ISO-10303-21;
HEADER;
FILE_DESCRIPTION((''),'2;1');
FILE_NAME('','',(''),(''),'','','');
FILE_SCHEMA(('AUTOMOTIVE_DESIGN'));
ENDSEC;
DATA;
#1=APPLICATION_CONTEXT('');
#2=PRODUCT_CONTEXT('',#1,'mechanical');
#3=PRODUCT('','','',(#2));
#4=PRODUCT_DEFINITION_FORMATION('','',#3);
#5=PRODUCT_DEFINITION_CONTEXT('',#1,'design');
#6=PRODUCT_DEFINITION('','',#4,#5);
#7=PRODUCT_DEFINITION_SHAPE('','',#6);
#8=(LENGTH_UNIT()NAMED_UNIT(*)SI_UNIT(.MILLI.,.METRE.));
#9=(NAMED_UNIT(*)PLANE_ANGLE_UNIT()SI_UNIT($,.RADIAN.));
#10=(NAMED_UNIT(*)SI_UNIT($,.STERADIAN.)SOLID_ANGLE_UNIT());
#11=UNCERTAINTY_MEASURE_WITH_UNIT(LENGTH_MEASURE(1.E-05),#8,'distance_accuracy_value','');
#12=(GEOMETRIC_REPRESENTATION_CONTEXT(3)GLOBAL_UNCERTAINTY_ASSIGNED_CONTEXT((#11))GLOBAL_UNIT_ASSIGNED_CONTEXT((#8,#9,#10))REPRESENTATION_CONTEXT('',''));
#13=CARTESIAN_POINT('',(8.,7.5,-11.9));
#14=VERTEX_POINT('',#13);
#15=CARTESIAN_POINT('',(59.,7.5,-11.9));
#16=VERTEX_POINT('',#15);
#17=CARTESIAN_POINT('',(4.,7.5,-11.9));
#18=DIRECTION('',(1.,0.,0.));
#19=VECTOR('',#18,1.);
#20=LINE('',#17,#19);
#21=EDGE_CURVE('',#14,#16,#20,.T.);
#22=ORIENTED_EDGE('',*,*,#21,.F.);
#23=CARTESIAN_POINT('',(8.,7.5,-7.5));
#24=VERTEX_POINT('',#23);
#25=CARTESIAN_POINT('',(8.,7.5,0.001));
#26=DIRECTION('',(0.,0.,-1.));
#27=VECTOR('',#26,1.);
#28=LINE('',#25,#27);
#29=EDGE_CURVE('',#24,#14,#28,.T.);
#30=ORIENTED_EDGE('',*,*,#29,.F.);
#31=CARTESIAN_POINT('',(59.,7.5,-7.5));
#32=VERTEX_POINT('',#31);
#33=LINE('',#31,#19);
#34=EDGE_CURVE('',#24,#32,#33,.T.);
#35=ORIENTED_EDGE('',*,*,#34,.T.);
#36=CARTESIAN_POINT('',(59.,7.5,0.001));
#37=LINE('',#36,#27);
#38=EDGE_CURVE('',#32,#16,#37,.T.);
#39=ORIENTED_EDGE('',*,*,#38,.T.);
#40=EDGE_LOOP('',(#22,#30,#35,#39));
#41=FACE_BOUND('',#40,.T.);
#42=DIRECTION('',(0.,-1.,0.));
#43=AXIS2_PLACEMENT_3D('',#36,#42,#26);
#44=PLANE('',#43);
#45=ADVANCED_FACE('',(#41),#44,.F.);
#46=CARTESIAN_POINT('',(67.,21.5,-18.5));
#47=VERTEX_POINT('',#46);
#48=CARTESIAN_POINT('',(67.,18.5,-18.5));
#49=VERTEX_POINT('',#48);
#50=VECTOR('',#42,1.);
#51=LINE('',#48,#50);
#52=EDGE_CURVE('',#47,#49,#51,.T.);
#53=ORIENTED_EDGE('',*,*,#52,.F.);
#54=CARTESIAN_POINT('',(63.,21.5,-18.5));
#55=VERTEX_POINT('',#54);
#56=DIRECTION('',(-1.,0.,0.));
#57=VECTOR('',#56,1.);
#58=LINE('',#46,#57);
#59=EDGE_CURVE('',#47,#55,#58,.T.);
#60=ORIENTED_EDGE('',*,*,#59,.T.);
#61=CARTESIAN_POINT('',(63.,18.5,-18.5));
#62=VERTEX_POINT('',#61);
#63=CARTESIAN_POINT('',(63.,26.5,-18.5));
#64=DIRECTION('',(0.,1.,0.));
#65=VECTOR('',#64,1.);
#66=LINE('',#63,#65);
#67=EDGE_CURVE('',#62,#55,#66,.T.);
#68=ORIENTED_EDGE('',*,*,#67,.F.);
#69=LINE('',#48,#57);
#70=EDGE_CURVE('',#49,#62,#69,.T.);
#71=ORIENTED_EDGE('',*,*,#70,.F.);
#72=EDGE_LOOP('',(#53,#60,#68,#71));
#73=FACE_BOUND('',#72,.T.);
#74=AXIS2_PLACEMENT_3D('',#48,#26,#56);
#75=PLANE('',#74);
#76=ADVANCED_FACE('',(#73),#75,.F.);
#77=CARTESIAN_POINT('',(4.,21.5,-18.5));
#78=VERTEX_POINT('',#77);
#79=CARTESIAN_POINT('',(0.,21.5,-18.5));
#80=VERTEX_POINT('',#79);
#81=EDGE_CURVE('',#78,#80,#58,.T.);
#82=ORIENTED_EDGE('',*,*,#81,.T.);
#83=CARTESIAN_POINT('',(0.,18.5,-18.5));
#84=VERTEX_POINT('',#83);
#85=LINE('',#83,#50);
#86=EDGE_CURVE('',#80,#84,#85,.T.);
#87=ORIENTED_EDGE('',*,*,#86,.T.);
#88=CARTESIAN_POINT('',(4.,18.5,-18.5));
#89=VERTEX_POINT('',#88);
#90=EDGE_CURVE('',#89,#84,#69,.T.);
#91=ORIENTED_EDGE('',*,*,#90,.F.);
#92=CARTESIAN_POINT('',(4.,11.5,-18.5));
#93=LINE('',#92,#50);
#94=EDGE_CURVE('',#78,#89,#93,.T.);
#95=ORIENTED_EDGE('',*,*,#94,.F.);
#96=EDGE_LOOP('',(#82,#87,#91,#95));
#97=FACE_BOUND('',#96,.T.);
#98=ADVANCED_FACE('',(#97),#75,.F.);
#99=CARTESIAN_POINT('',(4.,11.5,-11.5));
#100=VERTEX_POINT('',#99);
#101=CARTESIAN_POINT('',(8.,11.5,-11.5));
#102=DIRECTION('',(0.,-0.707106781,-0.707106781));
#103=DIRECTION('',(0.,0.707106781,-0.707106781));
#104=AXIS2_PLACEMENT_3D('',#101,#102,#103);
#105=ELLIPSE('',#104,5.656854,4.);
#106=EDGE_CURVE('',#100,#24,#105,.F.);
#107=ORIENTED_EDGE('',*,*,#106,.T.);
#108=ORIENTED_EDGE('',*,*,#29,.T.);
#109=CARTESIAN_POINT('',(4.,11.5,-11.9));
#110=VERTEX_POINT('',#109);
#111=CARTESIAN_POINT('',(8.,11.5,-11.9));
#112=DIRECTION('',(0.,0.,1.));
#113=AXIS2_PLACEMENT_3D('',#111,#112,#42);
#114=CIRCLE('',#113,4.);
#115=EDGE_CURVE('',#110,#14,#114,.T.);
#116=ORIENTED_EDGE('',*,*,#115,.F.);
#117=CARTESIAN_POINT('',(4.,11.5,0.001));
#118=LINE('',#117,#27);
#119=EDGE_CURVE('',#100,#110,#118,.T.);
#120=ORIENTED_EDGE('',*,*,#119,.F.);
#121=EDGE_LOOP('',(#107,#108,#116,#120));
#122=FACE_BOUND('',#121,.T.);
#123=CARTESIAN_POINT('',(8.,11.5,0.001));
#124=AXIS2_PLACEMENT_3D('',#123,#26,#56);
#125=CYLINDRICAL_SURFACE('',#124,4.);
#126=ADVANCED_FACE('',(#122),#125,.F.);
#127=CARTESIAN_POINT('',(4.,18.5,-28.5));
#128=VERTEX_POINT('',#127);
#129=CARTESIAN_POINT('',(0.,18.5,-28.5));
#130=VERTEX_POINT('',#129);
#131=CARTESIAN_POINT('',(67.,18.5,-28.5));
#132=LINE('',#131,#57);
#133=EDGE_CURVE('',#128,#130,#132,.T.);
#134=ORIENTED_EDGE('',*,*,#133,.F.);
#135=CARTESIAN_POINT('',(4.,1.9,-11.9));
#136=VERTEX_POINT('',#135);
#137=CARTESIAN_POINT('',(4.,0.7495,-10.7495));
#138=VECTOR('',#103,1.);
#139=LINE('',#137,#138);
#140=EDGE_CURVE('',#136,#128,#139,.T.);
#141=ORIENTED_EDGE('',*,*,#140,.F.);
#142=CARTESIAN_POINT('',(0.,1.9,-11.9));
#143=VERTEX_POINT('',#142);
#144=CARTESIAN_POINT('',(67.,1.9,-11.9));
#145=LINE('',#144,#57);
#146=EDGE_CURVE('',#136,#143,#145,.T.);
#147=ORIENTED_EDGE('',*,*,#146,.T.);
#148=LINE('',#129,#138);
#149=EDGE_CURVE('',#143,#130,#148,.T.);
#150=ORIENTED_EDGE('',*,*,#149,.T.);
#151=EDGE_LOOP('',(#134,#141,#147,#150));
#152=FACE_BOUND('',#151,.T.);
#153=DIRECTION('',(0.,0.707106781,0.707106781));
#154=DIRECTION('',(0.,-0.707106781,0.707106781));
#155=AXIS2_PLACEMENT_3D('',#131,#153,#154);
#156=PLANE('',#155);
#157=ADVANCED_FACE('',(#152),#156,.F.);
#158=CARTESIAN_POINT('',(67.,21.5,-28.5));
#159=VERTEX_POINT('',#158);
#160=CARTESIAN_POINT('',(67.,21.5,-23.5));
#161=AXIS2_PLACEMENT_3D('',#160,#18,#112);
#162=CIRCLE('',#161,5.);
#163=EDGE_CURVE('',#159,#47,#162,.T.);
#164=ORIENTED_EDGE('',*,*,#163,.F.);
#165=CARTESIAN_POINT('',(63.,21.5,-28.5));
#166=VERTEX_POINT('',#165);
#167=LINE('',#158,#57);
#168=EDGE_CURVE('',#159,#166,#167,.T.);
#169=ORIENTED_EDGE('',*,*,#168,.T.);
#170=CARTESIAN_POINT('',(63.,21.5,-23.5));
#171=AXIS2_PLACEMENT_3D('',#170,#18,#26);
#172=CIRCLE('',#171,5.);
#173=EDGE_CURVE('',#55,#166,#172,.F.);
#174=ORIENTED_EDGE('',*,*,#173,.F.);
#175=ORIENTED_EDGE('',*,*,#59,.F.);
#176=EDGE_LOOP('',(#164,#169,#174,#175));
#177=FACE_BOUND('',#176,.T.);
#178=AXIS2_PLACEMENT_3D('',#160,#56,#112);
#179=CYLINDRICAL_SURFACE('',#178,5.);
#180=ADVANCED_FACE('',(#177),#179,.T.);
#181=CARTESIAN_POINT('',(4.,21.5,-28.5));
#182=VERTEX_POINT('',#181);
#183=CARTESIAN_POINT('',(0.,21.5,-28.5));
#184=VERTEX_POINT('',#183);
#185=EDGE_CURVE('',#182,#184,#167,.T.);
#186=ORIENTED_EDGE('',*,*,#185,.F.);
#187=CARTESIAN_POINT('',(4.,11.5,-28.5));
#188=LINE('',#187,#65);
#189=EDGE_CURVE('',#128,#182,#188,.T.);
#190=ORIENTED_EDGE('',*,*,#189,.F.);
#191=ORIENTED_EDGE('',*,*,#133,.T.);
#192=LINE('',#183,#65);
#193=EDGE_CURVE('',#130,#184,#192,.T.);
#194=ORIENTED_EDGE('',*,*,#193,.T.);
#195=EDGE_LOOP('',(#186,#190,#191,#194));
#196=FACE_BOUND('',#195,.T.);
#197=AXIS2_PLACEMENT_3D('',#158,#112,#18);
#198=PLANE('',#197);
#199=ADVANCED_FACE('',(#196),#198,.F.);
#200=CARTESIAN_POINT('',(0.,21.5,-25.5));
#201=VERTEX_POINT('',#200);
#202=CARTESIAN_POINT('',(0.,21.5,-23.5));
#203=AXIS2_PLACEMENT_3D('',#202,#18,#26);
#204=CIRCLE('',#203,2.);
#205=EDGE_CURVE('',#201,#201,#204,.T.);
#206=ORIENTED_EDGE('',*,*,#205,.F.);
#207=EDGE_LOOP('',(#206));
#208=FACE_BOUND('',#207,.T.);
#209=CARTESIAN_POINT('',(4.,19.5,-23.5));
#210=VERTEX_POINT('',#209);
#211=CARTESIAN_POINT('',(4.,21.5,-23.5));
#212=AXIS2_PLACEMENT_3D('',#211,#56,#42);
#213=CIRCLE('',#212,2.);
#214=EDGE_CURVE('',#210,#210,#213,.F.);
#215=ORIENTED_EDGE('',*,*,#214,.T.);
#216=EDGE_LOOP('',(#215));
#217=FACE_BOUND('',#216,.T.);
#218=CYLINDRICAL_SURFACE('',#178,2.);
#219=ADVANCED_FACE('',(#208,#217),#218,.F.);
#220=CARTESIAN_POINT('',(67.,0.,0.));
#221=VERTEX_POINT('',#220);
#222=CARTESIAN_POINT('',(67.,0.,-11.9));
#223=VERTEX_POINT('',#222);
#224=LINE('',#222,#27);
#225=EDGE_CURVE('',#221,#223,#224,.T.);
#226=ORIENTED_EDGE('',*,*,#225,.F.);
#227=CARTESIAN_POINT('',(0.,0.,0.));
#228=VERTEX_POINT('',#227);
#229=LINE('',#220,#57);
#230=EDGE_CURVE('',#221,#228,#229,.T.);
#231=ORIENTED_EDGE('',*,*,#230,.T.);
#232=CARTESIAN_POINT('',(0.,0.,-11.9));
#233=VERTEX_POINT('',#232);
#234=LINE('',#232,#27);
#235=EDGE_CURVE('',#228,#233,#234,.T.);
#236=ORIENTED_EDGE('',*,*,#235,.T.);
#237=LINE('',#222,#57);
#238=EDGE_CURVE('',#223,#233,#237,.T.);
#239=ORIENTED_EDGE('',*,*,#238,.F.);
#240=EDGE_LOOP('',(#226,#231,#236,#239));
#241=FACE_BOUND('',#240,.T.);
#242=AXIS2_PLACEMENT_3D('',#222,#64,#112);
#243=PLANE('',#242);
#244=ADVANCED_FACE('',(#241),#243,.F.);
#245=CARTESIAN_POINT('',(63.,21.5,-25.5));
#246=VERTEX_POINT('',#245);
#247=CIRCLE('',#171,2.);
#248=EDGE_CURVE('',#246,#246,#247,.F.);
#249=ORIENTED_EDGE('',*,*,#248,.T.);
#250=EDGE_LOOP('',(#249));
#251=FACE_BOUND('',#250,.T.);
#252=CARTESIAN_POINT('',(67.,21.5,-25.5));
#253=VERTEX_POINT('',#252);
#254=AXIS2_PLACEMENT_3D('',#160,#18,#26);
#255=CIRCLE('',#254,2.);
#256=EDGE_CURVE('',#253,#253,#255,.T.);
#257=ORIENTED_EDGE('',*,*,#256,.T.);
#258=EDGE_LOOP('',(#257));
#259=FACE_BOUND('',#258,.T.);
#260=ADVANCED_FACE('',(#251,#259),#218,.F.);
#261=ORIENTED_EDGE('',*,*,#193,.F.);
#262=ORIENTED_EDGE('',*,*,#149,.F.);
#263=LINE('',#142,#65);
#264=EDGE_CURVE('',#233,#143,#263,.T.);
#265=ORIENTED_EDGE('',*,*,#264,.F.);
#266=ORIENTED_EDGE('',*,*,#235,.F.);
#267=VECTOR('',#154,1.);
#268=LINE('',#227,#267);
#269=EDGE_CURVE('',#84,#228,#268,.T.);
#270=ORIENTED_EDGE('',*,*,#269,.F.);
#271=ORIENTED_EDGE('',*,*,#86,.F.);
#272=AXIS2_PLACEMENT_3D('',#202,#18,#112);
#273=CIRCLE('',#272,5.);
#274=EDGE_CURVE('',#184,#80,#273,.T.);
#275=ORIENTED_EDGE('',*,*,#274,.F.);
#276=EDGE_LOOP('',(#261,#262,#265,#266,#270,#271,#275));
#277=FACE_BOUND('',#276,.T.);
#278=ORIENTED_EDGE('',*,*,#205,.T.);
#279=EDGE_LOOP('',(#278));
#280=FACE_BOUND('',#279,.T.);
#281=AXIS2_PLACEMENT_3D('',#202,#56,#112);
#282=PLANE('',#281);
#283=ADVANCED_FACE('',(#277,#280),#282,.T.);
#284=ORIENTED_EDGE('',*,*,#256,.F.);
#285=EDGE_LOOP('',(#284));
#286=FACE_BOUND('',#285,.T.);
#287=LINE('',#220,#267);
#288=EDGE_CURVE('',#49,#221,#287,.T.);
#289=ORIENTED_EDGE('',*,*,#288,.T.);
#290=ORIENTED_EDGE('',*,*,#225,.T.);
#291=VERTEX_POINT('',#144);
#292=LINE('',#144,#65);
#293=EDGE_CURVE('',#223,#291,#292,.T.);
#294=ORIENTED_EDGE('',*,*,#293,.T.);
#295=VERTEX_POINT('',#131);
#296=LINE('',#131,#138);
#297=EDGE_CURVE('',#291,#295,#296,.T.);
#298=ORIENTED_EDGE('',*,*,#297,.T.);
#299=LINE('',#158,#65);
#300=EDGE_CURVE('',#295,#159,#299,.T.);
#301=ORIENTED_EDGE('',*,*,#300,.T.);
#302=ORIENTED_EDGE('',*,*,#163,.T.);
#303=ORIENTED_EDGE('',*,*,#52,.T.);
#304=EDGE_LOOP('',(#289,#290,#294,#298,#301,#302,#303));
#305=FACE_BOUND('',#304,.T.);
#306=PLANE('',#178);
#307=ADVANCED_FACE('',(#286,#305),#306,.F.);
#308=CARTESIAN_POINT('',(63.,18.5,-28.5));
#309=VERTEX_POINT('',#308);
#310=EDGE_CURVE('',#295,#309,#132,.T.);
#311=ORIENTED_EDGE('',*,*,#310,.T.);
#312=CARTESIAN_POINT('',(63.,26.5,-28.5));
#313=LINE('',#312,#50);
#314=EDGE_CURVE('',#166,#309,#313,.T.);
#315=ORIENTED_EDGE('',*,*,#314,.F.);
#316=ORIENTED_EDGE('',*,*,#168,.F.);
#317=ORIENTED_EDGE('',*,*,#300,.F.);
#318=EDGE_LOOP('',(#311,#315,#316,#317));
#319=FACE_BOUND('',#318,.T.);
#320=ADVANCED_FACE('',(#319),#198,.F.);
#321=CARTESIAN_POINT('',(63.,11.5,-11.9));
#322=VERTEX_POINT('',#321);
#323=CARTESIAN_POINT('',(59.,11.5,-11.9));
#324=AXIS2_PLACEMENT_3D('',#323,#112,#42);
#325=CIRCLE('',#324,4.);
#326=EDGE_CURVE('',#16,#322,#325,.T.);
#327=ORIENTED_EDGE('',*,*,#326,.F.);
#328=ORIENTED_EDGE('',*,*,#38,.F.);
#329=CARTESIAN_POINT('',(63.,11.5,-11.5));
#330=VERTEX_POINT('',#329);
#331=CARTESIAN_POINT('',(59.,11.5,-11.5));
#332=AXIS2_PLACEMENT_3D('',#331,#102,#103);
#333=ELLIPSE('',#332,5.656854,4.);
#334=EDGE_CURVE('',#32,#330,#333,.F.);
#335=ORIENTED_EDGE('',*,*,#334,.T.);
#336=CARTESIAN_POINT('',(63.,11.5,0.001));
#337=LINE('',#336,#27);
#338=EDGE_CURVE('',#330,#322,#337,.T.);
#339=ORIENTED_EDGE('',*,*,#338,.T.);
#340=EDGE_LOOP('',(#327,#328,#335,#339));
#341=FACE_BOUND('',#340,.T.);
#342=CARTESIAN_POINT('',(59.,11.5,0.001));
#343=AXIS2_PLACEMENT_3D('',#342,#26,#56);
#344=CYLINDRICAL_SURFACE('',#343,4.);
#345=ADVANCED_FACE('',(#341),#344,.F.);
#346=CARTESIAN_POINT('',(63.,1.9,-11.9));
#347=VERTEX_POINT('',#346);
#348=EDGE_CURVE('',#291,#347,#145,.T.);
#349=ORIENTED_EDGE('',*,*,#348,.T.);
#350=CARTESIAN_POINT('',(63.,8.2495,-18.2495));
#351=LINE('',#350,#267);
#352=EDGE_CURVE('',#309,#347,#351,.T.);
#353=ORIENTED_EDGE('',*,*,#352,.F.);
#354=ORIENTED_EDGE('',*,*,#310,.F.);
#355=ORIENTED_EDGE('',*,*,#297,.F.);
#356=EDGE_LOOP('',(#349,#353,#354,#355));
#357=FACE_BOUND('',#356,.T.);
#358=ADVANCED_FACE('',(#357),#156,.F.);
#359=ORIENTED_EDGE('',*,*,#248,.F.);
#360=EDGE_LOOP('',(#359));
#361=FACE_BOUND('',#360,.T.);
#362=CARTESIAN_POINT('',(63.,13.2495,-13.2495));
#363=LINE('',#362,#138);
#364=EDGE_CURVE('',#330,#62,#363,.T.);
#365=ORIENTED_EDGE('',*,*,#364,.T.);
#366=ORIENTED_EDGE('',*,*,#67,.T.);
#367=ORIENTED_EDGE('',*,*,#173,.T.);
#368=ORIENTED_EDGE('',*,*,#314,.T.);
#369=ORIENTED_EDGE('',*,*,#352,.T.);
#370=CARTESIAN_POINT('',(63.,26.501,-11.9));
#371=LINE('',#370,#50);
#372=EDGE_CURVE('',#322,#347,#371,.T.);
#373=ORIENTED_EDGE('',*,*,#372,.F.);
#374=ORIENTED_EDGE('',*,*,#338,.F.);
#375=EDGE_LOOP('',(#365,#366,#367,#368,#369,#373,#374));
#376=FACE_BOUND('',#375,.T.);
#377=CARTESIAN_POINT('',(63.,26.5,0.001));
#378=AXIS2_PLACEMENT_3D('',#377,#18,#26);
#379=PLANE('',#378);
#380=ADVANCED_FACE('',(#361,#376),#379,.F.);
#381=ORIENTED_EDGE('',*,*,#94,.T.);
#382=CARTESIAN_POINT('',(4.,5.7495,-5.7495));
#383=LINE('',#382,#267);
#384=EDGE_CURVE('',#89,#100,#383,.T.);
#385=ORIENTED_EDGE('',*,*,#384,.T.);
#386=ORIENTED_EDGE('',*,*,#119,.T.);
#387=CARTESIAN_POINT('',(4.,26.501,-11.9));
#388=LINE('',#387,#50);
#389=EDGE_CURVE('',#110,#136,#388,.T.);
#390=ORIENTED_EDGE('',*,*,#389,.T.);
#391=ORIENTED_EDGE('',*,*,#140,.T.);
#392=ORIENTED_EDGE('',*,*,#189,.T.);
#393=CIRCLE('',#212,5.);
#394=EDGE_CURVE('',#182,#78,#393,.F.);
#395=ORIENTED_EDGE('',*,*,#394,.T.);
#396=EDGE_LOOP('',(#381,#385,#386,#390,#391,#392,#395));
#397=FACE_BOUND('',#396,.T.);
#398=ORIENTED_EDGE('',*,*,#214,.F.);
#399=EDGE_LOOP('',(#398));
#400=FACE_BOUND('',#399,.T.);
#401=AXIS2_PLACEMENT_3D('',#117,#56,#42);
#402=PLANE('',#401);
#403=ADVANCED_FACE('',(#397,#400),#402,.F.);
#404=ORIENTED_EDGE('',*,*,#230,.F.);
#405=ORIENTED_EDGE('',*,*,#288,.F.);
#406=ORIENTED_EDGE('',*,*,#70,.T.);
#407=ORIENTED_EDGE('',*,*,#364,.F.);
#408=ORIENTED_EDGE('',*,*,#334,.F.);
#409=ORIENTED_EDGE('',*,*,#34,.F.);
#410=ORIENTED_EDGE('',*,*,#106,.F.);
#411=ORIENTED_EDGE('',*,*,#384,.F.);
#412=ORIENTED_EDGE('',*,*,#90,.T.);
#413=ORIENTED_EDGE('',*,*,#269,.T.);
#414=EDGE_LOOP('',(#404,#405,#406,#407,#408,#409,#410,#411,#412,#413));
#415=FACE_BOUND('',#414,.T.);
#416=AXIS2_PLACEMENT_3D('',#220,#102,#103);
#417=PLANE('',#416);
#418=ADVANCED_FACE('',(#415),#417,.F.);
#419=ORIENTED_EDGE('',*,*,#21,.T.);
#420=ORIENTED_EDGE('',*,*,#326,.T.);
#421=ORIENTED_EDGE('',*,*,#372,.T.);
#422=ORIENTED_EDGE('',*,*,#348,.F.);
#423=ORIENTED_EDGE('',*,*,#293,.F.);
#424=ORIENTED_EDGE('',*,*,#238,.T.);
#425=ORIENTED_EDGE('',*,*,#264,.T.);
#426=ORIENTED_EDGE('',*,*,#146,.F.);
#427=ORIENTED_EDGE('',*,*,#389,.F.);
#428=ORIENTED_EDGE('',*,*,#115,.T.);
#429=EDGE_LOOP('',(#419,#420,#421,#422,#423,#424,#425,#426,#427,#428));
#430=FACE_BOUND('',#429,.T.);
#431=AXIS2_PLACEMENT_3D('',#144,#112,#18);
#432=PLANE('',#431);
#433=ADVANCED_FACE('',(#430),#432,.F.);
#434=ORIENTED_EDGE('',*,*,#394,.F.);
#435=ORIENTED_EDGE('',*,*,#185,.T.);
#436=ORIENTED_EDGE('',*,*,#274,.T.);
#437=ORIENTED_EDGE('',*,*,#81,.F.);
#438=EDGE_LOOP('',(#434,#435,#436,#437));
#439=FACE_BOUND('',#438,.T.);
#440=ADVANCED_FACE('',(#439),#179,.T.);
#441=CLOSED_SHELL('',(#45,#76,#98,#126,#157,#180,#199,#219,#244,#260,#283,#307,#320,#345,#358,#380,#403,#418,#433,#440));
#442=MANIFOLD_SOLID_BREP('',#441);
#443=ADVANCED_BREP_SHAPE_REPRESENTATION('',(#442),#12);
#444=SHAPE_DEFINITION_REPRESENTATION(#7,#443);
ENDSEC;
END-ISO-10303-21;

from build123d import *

# Parameters (mm, degrees)
SKETCH1_R           = 2
BOSS_EXTRUDE1_DEPTH = 67
CUT_EXTRUDE1_REACH  = 30.5
CUT_EXTRUDE2_REACH  = 28.5
SKETCH3_W           = 59
SKETCH3_H           = 9.6


with BuildPart() as part:
    # Sketch1 → Boss-Extrude1 (new body)
    with BuildSketch(Plane(origin=(0, 0, 0), x_dir=(0, 0, -1), z_dir=(1, 0, 0))):
        with BuildLine():
            Line((11.9, 1.9), (11.9, 0))
            Line((11.9, 0), (0, 0))
            Line((0, 0), (18.5, 18.5))
            Line((18.5, 18.5), (18.5, 21.5))
            ThreePointArc((18.5, 21.5), (23.5, 26.5), (28.5, 21.5))
            Line((28.5, 21.5), (28.5, 18.5))
            Line((28.5, 18.5), (11.9, 1.9))
        make_face()
        with Locations((23.5, 21.5)):
            Circle(SKETCH1_R, mode=Mode.SUBTRACT)
    extrude(amount=BOSS_EXTRUDE1_DEPTH)

    # Sketch2 → Cut-Extrude1 (cut, up to next)
    with BuildSketch(Plane(origin=(0, 0, -28.5), x_dir=(-1, 0, 0), z_dir=(0, 0, -1)), mode=Mode.PRIVATE) as cut_extrude1_sk1:
        with BuildLine():
            Line((-63, 26.5), (-63, 11.5))
            ThreePointArc((-63, 11.5), (-61.828427125, 8.671572875), (-59, 7.5))
            Line((-59, 7.5), (-8, 7.5))
            ThreePointArc((-8, 7.5), (-5.171572875, 8.671572875), (-4, 11.5))
            Line((-4, 11.5), (-4, 26.5))
            Line((-4, 26.5), (-63, 26.5))
        make_face()
    cut_extrude1_tool1 = extrude(cut_extrude1_sk1.sketch, amount=-CUT_EXTRUDE1_REACH, mode=Mode.PRIVATE) & part.part
    add(cut_extrude1_tool1.solids().sort_by_distance((33.5, 17.053049, -28.5))[0], mode=Mode.SUBTRACT)

    # Sketch3 → Cut-Extrude2 (cut, up to next)
    with BuildSketch(Plane.XZ, mode=Mode.PRIVATE) as cut_extrude2_sk1:
        with Locations((33.5, -16.7)):
            Rectangle(SKETCH3_W, SKETCH3_H)
    cut_extrude2_tool1 = extrude(cut_extrude2_sk1.sketch, amount=-CUT_EXTRUDE2_REACH, mode=Mode.PRIVATE) & part.part
    add(cut_extrude2_tool1.solids().sort_by_distance((33.5, 0, -16.7))[0], mode=Mode.SUBTRACT)


solid = part.part
